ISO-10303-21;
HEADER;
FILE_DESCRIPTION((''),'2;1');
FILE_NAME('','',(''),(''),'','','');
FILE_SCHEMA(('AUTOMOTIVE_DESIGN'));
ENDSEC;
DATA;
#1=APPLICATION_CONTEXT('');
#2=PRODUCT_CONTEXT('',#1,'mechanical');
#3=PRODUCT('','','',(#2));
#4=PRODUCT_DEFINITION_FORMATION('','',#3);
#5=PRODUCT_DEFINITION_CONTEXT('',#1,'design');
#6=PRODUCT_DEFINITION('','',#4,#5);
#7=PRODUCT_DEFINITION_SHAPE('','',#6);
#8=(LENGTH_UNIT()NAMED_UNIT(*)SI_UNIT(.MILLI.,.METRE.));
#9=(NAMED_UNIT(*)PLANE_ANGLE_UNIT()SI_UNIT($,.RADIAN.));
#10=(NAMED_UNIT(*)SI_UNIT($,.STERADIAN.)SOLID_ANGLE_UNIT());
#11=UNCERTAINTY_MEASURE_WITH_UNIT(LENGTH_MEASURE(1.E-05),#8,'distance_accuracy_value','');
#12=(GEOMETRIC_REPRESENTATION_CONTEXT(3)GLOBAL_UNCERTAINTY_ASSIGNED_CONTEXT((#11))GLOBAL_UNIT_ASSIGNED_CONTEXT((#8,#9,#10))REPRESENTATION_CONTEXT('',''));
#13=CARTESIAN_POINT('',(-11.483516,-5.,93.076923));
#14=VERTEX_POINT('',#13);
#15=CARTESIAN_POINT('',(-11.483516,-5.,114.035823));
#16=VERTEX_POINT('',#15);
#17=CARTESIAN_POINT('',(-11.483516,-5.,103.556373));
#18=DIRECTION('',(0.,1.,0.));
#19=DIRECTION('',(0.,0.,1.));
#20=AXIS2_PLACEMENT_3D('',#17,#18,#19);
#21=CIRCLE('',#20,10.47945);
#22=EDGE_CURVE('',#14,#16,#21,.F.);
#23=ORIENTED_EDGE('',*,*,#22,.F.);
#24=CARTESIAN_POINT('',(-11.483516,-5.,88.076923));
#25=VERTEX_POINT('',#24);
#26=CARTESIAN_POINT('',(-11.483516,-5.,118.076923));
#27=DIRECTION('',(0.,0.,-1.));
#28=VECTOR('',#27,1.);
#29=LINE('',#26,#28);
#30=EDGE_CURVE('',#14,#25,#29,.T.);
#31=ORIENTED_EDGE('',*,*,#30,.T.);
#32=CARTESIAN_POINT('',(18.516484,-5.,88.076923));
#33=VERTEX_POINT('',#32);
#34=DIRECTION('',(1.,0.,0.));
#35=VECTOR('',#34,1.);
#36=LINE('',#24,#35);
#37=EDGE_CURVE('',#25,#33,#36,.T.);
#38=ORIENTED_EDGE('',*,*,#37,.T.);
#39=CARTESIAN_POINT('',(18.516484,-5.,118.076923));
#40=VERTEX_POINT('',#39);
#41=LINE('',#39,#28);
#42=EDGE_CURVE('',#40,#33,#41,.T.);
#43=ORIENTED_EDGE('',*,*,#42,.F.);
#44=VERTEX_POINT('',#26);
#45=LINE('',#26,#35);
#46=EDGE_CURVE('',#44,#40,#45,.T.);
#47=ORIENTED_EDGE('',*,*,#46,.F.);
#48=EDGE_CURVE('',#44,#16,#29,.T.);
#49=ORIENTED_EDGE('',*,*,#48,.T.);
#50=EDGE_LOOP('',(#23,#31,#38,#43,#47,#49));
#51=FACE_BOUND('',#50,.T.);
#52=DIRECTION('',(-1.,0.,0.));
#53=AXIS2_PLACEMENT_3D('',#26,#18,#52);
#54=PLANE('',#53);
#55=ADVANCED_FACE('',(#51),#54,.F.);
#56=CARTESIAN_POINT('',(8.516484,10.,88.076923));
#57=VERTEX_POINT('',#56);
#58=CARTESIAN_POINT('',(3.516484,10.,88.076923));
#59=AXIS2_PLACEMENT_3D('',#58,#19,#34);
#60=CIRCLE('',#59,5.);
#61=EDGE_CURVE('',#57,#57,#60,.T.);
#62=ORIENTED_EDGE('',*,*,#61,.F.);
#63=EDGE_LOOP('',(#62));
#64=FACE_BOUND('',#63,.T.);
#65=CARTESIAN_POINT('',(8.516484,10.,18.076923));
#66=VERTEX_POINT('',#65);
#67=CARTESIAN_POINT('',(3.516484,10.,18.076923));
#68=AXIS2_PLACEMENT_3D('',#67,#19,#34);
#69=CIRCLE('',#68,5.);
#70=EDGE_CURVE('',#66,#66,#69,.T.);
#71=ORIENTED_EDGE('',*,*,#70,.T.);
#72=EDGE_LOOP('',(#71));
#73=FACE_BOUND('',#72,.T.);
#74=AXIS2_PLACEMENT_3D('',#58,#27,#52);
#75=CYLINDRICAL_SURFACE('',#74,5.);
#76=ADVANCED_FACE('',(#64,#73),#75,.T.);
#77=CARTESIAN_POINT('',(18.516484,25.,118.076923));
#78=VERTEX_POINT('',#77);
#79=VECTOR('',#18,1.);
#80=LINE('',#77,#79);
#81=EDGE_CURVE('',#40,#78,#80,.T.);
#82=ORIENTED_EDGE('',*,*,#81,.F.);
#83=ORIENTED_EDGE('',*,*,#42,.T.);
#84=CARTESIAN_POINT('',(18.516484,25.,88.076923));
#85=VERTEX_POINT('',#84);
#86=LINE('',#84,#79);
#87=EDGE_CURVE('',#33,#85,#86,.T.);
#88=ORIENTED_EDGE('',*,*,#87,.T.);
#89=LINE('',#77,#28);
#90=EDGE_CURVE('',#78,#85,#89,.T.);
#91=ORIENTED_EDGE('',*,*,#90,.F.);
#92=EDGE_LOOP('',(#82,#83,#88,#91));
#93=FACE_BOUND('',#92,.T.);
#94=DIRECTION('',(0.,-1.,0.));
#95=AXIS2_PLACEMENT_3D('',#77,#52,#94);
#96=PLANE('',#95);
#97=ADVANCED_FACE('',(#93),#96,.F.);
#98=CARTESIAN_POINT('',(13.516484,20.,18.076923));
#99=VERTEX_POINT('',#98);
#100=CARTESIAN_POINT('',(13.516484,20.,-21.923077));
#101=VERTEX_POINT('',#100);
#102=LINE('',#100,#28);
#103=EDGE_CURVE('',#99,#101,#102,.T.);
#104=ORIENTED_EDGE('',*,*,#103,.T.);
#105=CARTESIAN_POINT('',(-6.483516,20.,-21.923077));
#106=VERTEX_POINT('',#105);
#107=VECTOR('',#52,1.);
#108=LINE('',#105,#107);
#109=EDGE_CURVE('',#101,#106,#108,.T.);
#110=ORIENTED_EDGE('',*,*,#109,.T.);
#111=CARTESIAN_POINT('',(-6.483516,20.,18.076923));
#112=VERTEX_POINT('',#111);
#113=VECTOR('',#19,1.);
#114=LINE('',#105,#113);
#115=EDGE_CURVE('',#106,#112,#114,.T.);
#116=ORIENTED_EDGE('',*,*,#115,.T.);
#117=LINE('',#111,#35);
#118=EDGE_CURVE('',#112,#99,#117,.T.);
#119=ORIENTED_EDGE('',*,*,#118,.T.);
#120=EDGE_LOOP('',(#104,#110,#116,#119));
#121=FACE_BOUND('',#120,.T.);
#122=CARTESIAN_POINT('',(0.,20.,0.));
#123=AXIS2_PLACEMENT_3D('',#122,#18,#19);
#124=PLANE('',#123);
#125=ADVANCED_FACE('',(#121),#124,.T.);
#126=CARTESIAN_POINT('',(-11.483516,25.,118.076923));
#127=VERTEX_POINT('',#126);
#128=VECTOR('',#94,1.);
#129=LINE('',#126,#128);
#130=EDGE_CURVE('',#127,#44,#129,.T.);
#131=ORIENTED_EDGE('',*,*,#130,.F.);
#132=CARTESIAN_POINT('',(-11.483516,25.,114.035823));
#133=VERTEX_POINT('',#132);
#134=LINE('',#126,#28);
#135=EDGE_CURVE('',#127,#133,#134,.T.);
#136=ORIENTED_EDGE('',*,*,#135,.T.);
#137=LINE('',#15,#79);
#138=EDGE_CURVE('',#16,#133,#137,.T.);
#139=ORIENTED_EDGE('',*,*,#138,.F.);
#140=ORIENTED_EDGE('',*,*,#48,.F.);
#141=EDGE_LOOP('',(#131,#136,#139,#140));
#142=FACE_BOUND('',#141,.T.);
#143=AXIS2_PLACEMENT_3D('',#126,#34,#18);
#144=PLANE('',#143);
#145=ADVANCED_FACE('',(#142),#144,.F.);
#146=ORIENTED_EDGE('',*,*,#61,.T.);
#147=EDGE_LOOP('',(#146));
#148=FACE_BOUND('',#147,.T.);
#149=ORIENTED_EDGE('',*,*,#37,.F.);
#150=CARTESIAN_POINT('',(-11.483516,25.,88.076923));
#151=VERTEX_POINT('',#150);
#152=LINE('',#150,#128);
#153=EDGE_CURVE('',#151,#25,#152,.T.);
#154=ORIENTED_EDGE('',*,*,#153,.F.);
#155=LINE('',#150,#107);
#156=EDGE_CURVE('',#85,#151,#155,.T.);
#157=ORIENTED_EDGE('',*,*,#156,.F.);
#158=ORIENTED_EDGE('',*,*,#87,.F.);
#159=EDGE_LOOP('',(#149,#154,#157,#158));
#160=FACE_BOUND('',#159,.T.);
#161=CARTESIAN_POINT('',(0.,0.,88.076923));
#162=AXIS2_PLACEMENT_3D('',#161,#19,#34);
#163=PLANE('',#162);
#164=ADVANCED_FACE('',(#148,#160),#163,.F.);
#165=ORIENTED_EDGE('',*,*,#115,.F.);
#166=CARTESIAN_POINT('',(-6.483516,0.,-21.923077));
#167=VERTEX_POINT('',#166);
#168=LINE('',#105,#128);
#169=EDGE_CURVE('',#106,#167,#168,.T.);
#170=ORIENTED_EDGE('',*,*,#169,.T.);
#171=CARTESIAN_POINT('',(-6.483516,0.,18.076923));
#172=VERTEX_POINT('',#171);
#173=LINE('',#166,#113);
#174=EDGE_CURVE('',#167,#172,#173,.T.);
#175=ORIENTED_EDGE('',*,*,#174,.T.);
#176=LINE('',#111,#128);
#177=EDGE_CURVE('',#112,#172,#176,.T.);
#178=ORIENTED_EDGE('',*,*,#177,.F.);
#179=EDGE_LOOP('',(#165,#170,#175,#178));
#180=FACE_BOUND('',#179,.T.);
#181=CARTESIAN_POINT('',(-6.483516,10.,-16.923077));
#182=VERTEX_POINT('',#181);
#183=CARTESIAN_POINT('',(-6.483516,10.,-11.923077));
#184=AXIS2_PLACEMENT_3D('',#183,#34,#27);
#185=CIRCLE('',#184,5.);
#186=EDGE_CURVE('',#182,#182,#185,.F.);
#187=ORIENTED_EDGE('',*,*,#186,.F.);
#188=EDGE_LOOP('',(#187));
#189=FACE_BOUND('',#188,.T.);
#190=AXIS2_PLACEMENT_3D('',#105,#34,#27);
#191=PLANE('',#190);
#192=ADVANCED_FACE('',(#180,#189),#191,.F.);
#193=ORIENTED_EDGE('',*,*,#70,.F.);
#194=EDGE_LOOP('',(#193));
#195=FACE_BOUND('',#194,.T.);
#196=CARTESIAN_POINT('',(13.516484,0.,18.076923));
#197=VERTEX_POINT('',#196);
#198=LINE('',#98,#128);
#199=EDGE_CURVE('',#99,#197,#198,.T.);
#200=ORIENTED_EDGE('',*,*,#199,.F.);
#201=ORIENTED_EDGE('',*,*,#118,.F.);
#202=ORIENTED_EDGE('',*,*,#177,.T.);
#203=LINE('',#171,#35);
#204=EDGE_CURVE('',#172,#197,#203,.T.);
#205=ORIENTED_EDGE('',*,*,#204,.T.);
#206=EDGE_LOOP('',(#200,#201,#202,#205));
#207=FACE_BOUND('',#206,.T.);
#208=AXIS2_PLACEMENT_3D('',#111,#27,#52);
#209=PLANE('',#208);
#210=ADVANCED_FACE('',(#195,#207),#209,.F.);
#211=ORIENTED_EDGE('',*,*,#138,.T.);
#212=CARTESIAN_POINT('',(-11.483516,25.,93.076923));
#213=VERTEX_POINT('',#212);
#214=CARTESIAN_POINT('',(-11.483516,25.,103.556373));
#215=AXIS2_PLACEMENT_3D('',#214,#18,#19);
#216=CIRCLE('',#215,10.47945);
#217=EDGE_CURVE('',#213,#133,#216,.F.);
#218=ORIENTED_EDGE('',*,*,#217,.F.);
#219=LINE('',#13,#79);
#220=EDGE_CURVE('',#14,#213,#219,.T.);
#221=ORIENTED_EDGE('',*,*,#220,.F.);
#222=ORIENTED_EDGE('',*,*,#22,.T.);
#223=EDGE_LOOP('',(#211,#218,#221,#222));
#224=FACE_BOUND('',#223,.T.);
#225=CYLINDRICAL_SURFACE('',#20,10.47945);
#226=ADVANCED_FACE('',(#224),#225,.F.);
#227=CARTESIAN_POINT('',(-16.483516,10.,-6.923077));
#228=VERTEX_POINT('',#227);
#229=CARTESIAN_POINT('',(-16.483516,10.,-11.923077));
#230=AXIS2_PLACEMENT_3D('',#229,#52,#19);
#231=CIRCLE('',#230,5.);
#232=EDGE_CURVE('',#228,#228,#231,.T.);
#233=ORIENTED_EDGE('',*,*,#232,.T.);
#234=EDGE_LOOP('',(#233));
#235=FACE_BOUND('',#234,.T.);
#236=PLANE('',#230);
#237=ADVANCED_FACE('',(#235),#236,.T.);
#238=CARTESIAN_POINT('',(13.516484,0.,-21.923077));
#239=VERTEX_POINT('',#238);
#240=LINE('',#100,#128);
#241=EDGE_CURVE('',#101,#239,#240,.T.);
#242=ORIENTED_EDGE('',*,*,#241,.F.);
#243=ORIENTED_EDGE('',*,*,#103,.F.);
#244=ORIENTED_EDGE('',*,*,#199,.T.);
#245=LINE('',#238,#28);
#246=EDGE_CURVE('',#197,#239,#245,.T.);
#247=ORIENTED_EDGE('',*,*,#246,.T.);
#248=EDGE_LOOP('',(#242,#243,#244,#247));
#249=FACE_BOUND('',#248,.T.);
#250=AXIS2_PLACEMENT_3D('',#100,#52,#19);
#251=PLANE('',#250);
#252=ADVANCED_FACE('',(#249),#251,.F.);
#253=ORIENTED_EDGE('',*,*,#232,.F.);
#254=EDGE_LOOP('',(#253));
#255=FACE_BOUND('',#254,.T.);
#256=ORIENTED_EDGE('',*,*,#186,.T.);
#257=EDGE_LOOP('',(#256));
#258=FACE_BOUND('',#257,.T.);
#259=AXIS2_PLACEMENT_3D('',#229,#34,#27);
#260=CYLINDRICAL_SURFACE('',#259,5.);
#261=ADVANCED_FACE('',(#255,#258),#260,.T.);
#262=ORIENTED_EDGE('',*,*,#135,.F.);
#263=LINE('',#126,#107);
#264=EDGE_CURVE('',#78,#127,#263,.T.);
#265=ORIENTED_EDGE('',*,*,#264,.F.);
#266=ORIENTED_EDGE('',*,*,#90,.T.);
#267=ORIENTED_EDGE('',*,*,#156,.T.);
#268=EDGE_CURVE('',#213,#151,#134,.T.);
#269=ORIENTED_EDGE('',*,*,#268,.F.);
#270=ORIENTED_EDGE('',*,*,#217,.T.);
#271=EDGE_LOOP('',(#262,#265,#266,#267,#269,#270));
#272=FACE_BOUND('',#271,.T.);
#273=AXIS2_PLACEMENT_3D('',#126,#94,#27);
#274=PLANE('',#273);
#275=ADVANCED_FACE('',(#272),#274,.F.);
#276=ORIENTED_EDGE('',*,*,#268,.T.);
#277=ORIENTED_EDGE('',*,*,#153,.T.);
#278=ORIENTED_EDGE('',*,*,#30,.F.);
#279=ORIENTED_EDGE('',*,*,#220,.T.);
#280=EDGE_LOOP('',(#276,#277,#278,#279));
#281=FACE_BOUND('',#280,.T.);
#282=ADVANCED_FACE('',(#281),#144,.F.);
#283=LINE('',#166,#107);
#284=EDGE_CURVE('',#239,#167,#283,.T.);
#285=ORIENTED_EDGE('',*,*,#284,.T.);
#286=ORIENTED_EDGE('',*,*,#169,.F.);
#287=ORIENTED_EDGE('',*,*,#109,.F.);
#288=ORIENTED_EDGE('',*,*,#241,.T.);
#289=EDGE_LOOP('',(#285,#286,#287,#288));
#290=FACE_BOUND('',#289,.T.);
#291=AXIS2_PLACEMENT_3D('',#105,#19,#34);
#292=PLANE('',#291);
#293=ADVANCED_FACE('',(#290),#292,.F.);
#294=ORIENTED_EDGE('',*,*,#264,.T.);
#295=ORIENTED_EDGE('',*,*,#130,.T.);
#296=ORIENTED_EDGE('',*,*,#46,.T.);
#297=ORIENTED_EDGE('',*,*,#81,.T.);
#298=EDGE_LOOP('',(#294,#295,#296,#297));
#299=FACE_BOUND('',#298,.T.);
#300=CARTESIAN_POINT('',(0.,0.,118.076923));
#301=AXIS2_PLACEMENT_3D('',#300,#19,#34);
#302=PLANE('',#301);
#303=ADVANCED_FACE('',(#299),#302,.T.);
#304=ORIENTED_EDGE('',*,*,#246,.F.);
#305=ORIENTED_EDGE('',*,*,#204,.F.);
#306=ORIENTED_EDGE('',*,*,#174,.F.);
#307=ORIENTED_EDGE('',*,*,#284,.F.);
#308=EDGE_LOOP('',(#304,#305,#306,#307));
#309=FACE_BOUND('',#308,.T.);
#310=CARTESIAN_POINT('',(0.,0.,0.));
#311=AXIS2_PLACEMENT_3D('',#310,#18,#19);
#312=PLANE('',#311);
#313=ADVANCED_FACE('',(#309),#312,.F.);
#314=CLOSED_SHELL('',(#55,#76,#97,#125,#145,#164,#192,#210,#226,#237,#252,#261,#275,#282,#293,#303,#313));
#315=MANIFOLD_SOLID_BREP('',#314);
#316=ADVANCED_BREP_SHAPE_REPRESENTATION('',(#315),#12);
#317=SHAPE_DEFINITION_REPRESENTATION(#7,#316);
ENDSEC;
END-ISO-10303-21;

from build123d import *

# Parameters (mm, degrees)
SKETCH1_W           = 20
SKETCH1_H           = 40
BOSS_EXTRUDE1_DEPTH = 20
SKETCH2_R           = 5
BOSS_EXTRUDE2_DEPTH = 10
SKETCH3_R           = 5
BOSS_EXTRUDE3_DEPTH = 70
SKETCH4_W           = 30
SKETCH4_H           = 30
BOSS_EXTRUDE4_DEPTH = 30
CUT_EXTRUDE1_DEPTH  = 30


with BuildPart() as part:
    # Sketch1 → Boss-Extrude1 (new body)
    with BuildSketch(Plane(origin=(0, 0, 0), x_dir=(1, 0, 0), z_dir=(0, 1, 0))):
        with Locations((3.516483516, 1.923076923)):
            Rectangle(SKETCH1_W, SKETCH1_H)
    extrude(amount=BOSS_EXTRUDE1_DEPTH)

    # Sketch2 → Boss-Extrude2 (add)
    with BuildSketch(Plane.ZY.offset(6.483516484)):
        with Locations(Location((-11.923076923, 10, 0), (0, 0, 180))):
            Circle(SKETCH2_R)
    extrude(amount=BOSS_EXTRUDE2_DEPTH)

    # Sketch3 → Boss-Extrude3 (add)
    with BuildSketch(Plane.XY.offset(18.076923077)):
        with Locations((3.516483516, 10)):
            Circle(SKETCH3_R)
    extrude(amount=BOSS_EXTRUDE3_DEPTH)

    # Sketch4 → Boss-Extrude4 (add)
    with BuildSketch(Plane.XY.offset(88.076923077)):
        with Locations((3.516483516, 10)):
            Rectangle(SKETCH4_W, SKETCH4_H)
    extrude(amount=BOSS_EXTRUDE4_DEPTH)

    # Sketch7 → Cut-Extrude1 (cut)
    with BuildSketch(Plane(origin=(0, 25, 0), x_dir=(1, 0, 0), z_dir=(0, 1, 0))):
        with BuildLine():
            ThreePointArc((-11.483516484, -114.035823302), (-1.004066371, -103.55637319), (-11.483516484, -93.076923077))
            Line((-11.483516484, -93.076923077), (-11.483516484, -114.035823302))
        make_face()
    extrude(amount=-CUT_EXTRUDE1_DEPTH, mode=Mode.SUBTRACT)


solid = part.part
